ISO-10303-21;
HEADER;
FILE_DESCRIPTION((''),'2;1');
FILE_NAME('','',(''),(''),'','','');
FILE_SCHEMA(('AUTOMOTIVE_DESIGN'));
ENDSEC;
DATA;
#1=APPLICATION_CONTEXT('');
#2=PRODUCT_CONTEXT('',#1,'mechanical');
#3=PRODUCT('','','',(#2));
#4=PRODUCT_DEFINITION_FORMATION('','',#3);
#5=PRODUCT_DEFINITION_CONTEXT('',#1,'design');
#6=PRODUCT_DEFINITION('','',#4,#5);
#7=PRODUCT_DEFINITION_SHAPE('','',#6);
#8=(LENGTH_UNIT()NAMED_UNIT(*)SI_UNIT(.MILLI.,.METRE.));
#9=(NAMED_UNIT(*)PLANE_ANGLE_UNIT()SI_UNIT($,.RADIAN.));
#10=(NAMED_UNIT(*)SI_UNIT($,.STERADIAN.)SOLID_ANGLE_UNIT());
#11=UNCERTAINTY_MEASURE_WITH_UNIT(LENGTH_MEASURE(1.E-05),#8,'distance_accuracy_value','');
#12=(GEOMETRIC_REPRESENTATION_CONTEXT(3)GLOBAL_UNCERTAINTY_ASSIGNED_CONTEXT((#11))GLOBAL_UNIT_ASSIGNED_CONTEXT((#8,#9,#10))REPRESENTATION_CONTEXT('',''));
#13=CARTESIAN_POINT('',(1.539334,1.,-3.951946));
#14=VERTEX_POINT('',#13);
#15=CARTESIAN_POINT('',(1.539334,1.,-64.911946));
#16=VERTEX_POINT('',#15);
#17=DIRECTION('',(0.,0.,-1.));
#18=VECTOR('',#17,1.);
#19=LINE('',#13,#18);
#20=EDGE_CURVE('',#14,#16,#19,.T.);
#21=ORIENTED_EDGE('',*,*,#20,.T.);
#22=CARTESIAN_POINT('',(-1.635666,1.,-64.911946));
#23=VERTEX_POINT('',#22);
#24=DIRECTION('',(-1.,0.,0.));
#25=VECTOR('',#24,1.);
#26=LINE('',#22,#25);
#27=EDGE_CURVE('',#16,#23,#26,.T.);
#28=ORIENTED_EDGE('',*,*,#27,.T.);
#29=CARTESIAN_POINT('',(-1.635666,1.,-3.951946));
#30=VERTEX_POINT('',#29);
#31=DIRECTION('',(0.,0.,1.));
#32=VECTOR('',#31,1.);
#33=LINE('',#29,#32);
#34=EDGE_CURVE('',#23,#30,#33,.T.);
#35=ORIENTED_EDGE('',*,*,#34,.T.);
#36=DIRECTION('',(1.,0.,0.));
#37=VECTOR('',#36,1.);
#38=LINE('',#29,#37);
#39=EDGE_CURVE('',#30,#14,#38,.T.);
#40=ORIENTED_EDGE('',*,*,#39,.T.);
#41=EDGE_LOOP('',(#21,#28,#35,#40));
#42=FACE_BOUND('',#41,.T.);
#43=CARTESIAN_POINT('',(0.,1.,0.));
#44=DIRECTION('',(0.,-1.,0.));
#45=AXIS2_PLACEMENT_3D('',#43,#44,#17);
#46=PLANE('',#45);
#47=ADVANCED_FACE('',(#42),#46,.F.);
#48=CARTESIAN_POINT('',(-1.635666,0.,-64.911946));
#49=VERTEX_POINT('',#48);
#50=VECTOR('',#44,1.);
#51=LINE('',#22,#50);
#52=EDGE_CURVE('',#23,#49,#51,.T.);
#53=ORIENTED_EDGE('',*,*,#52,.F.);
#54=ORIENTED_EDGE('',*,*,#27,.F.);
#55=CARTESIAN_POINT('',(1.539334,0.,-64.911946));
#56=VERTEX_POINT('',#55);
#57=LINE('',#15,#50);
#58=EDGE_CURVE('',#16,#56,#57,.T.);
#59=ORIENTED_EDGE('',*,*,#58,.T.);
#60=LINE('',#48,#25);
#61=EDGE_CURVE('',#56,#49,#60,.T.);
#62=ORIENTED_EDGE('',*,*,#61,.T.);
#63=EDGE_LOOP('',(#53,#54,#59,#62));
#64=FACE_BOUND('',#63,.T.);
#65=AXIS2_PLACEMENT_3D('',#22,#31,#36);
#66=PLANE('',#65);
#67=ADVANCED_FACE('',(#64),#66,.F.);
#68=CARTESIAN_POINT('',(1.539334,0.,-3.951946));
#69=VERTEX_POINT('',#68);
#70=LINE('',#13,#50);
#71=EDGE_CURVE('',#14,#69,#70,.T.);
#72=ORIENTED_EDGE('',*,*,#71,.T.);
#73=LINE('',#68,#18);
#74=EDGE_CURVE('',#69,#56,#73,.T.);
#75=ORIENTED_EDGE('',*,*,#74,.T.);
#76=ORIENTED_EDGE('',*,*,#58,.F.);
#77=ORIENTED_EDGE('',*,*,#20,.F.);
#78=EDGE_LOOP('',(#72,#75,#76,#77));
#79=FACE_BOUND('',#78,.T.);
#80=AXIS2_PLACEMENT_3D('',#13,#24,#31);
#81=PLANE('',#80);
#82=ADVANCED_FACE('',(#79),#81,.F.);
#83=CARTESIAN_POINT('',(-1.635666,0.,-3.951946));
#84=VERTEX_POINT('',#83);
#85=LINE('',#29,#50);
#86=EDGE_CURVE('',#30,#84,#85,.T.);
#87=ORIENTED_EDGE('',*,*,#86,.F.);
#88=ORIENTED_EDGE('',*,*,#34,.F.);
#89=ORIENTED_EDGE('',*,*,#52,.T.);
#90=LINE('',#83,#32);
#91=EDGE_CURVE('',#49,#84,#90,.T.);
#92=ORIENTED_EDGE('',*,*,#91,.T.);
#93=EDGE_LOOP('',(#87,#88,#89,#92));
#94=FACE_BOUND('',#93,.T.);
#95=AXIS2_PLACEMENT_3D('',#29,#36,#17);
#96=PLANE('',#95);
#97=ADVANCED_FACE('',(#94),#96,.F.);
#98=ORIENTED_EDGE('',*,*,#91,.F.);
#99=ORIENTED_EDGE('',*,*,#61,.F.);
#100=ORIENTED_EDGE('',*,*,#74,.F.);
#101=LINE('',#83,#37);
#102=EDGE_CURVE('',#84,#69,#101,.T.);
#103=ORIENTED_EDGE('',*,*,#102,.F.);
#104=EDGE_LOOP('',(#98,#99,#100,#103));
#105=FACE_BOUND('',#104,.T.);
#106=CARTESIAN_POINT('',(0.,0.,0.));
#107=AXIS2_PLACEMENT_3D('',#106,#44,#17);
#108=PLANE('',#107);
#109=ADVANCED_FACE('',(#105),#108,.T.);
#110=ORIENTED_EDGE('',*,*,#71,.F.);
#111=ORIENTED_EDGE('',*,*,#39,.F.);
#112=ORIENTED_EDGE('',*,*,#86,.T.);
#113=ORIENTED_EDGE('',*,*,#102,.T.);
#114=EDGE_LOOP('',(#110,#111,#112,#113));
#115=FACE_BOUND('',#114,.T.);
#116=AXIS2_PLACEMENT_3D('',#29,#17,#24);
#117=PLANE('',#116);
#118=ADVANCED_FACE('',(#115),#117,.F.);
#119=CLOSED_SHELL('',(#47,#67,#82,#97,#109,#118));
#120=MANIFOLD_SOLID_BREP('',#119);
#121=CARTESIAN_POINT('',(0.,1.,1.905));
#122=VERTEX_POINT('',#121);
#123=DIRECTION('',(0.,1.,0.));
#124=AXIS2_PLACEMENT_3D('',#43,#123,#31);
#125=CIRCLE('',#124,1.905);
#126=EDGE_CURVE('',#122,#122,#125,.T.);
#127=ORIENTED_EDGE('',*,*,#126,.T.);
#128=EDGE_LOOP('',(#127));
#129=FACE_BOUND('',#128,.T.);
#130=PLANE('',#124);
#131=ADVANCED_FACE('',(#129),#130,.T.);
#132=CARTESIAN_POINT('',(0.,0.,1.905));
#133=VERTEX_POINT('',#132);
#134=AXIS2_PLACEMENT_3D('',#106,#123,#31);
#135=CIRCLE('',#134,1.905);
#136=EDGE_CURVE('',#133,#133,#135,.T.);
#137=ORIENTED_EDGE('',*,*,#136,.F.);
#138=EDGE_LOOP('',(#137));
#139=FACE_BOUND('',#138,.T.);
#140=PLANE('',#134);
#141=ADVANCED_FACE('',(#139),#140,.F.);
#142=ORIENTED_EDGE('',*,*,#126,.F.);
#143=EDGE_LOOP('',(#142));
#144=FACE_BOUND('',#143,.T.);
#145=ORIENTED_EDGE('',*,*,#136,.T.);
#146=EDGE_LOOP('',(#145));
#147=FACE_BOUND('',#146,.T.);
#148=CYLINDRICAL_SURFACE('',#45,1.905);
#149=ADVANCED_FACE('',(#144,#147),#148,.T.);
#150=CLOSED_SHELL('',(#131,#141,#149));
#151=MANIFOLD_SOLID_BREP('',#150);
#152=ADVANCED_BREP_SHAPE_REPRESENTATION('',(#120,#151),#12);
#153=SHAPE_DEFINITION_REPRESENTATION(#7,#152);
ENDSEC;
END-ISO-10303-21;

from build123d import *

# Parameters (mm, degrees)
SKETCH1_R           = 1.905
BOSS_EXTRUDE1_DEPTH = 1
SKETCH2_W           = 3.175
SKETCH2_H           = 60.96
BOSS_EXTRUDE2_DEPTH = 1


with BuildPart() as part:
    # Sketch1 → Boss-Extrude1 (new body)
    with BuildSketch(Plane(origin=(0, 0, 0), x_dir=(1, 0, 0), z_dir=(0, 1, 0))):
        with Locations(Location((0, 0, 0), (0, 0, 270))):
            Circle(SKETCH1_R)
    extrude(amount=BOSS_EXTRUDE1_DEPTH)


with BuildPart() as body_2:
    # Sketch2 → Boss-Extrude2 (new body)
    with BuildSketch(Plane(origin=(0, 0, 0), x_dir=(1, 0, 0), z_dir=(0, 1, 0))):
        with Locations((-0.048166493, 34.431945888)):
            Rectangle(SKETCH2_W, SKETCH2_H)
    extrude(amount=BOSS_EXTRUDE2_DEPTH)


solid = Compound([part.part, body_2.part])
